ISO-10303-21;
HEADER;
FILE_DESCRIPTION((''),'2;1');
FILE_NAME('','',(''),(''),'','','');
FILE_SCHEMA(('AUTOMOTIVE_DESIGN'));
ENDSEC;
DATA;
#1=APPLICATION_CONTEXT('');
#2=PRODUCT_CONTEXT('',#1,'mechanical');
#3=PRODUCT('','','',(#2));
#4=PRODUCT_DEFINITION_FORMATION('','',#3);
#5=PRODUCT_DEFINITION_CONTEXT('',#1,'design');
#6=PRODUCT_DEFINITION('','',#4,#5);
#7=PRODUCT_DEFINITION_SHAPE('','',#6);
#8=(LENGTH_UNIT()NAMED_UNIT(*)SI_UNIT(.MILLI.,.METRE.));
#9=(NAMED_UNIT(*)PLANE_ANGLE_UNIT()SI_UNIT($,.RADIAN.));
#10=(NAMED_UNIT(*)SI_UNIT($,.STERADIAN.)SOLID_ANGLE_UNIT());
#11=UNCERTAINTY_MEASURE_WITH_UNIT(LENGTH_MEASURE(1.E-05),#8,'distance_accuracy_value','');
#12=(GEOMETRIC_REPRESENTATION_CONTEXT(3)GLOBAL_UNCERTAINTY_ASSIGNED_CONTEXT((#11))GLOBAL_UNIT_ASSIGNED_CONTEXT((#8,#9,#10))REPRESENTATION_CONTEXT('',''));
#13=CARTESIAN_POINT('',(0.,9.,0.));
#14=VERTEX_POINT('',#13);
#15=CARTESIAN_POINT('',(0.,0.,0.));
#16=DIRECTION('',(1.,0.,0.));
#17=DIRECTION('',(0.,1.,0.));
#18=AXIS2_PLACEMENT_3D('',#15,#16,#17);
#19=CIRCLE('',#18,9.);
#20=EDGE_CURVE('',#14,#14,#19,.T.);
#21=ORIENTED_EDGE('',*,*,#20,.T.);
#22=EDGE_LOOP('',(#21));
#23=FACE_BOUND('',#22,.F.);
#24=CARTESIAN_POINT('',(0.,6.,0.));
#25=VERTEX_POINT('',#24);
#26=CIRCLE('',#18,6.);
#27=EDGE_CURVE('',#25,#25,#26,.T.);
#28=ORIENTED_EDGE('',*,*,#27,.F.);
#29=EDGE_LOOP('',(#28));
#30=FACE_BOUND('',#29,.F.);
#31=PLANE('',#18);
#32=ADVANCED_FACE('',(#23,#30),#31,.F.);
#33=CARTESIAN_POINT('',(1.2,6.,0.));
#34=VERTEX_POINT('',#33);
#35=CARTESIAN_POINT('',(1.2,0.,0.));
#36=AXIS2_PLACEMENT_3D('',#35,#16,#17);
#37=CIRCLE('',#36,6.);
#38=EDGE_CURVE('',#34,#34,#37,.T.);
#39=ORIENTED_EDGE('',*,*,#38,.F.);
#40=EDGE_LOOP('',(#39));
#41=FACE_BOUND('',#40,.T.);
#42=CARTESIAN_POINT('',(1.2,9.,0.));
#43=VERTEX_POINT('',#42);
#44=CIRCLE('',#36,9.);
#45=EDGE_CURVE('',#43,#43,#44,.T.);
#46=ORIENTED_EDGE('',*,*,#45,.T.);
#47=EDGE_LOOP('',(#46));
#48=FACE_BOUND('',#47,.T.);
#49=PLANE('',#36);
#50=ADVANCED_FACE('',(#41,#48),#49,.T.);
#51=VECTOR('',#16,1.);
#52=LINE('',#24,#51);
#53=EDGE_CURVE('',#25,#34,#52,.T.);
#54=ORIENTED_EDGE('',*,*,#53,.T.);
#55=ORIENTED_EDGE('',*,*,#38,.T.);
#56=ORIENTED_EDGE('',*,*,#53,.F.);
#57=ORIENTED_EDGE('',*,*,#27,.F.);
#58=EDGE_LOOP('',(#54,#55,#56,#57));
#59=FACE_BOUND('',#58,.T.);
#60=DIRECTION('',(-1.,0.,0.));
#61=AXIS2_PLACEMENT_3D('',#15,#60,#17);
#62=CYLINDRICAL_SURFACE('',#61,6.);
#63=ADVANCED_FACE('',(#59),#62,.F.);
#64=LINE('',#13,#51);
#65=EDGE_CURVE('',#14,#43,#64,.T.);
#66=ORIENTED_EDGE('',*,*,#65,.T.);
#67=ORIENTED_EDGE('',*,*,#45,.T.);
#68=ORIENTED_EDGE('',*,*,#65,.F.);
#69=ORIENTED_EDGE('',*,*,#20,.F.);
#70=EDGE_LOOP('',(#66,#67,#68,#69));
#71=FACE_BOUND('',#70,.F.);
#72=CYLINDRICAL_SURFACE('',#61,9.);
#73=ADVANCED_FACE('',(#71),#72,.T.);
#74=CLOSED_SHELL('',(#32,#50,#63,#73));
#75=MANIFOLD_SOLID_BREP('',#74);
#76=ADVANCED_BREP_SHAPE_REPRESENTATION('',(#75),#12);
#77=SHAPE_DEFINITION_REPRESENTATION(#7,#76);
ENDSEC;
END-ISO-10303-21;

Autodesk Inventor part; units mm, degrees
ref_plane "YZ Plane" through (0, 0, 0) normal (1, 0, 0) x (0, 1, 0)
ref_plane "XZ Plane" through (0, 0, 0) normal (0, 1, 0) x (-1, 0, 0)
sketch "Szkic" plane through (0, 0, 0) normal (1, 0, 0) x (0, 1, 0)
  circle A0 centre (0, 0) radius 9
  circle A1 centre (0, 0) radius 6
  dimension "d0" = 12
  dimension "d1" = 18
extrude "Bryła" add sketch "Szkic" along normal blind 1.2
ref_plane "Work Plane1" through (0, 0, 0) normal (0, 0, 1) x (1, 0, 0)
equation "\"d0\" = SD1"
equation "\"d1\" = SD2"
equation "\"d2\" = SD"
equation "\"SD1\" = 12"
equation "\"SD2\" = 18"
equation "\"SD\" = 1.2"
equation "\"NND\" = 12"
equation "\"NND2\" = 18"
properties part number "DIN 988 - S12 x 18" material "Stal, miękka"
